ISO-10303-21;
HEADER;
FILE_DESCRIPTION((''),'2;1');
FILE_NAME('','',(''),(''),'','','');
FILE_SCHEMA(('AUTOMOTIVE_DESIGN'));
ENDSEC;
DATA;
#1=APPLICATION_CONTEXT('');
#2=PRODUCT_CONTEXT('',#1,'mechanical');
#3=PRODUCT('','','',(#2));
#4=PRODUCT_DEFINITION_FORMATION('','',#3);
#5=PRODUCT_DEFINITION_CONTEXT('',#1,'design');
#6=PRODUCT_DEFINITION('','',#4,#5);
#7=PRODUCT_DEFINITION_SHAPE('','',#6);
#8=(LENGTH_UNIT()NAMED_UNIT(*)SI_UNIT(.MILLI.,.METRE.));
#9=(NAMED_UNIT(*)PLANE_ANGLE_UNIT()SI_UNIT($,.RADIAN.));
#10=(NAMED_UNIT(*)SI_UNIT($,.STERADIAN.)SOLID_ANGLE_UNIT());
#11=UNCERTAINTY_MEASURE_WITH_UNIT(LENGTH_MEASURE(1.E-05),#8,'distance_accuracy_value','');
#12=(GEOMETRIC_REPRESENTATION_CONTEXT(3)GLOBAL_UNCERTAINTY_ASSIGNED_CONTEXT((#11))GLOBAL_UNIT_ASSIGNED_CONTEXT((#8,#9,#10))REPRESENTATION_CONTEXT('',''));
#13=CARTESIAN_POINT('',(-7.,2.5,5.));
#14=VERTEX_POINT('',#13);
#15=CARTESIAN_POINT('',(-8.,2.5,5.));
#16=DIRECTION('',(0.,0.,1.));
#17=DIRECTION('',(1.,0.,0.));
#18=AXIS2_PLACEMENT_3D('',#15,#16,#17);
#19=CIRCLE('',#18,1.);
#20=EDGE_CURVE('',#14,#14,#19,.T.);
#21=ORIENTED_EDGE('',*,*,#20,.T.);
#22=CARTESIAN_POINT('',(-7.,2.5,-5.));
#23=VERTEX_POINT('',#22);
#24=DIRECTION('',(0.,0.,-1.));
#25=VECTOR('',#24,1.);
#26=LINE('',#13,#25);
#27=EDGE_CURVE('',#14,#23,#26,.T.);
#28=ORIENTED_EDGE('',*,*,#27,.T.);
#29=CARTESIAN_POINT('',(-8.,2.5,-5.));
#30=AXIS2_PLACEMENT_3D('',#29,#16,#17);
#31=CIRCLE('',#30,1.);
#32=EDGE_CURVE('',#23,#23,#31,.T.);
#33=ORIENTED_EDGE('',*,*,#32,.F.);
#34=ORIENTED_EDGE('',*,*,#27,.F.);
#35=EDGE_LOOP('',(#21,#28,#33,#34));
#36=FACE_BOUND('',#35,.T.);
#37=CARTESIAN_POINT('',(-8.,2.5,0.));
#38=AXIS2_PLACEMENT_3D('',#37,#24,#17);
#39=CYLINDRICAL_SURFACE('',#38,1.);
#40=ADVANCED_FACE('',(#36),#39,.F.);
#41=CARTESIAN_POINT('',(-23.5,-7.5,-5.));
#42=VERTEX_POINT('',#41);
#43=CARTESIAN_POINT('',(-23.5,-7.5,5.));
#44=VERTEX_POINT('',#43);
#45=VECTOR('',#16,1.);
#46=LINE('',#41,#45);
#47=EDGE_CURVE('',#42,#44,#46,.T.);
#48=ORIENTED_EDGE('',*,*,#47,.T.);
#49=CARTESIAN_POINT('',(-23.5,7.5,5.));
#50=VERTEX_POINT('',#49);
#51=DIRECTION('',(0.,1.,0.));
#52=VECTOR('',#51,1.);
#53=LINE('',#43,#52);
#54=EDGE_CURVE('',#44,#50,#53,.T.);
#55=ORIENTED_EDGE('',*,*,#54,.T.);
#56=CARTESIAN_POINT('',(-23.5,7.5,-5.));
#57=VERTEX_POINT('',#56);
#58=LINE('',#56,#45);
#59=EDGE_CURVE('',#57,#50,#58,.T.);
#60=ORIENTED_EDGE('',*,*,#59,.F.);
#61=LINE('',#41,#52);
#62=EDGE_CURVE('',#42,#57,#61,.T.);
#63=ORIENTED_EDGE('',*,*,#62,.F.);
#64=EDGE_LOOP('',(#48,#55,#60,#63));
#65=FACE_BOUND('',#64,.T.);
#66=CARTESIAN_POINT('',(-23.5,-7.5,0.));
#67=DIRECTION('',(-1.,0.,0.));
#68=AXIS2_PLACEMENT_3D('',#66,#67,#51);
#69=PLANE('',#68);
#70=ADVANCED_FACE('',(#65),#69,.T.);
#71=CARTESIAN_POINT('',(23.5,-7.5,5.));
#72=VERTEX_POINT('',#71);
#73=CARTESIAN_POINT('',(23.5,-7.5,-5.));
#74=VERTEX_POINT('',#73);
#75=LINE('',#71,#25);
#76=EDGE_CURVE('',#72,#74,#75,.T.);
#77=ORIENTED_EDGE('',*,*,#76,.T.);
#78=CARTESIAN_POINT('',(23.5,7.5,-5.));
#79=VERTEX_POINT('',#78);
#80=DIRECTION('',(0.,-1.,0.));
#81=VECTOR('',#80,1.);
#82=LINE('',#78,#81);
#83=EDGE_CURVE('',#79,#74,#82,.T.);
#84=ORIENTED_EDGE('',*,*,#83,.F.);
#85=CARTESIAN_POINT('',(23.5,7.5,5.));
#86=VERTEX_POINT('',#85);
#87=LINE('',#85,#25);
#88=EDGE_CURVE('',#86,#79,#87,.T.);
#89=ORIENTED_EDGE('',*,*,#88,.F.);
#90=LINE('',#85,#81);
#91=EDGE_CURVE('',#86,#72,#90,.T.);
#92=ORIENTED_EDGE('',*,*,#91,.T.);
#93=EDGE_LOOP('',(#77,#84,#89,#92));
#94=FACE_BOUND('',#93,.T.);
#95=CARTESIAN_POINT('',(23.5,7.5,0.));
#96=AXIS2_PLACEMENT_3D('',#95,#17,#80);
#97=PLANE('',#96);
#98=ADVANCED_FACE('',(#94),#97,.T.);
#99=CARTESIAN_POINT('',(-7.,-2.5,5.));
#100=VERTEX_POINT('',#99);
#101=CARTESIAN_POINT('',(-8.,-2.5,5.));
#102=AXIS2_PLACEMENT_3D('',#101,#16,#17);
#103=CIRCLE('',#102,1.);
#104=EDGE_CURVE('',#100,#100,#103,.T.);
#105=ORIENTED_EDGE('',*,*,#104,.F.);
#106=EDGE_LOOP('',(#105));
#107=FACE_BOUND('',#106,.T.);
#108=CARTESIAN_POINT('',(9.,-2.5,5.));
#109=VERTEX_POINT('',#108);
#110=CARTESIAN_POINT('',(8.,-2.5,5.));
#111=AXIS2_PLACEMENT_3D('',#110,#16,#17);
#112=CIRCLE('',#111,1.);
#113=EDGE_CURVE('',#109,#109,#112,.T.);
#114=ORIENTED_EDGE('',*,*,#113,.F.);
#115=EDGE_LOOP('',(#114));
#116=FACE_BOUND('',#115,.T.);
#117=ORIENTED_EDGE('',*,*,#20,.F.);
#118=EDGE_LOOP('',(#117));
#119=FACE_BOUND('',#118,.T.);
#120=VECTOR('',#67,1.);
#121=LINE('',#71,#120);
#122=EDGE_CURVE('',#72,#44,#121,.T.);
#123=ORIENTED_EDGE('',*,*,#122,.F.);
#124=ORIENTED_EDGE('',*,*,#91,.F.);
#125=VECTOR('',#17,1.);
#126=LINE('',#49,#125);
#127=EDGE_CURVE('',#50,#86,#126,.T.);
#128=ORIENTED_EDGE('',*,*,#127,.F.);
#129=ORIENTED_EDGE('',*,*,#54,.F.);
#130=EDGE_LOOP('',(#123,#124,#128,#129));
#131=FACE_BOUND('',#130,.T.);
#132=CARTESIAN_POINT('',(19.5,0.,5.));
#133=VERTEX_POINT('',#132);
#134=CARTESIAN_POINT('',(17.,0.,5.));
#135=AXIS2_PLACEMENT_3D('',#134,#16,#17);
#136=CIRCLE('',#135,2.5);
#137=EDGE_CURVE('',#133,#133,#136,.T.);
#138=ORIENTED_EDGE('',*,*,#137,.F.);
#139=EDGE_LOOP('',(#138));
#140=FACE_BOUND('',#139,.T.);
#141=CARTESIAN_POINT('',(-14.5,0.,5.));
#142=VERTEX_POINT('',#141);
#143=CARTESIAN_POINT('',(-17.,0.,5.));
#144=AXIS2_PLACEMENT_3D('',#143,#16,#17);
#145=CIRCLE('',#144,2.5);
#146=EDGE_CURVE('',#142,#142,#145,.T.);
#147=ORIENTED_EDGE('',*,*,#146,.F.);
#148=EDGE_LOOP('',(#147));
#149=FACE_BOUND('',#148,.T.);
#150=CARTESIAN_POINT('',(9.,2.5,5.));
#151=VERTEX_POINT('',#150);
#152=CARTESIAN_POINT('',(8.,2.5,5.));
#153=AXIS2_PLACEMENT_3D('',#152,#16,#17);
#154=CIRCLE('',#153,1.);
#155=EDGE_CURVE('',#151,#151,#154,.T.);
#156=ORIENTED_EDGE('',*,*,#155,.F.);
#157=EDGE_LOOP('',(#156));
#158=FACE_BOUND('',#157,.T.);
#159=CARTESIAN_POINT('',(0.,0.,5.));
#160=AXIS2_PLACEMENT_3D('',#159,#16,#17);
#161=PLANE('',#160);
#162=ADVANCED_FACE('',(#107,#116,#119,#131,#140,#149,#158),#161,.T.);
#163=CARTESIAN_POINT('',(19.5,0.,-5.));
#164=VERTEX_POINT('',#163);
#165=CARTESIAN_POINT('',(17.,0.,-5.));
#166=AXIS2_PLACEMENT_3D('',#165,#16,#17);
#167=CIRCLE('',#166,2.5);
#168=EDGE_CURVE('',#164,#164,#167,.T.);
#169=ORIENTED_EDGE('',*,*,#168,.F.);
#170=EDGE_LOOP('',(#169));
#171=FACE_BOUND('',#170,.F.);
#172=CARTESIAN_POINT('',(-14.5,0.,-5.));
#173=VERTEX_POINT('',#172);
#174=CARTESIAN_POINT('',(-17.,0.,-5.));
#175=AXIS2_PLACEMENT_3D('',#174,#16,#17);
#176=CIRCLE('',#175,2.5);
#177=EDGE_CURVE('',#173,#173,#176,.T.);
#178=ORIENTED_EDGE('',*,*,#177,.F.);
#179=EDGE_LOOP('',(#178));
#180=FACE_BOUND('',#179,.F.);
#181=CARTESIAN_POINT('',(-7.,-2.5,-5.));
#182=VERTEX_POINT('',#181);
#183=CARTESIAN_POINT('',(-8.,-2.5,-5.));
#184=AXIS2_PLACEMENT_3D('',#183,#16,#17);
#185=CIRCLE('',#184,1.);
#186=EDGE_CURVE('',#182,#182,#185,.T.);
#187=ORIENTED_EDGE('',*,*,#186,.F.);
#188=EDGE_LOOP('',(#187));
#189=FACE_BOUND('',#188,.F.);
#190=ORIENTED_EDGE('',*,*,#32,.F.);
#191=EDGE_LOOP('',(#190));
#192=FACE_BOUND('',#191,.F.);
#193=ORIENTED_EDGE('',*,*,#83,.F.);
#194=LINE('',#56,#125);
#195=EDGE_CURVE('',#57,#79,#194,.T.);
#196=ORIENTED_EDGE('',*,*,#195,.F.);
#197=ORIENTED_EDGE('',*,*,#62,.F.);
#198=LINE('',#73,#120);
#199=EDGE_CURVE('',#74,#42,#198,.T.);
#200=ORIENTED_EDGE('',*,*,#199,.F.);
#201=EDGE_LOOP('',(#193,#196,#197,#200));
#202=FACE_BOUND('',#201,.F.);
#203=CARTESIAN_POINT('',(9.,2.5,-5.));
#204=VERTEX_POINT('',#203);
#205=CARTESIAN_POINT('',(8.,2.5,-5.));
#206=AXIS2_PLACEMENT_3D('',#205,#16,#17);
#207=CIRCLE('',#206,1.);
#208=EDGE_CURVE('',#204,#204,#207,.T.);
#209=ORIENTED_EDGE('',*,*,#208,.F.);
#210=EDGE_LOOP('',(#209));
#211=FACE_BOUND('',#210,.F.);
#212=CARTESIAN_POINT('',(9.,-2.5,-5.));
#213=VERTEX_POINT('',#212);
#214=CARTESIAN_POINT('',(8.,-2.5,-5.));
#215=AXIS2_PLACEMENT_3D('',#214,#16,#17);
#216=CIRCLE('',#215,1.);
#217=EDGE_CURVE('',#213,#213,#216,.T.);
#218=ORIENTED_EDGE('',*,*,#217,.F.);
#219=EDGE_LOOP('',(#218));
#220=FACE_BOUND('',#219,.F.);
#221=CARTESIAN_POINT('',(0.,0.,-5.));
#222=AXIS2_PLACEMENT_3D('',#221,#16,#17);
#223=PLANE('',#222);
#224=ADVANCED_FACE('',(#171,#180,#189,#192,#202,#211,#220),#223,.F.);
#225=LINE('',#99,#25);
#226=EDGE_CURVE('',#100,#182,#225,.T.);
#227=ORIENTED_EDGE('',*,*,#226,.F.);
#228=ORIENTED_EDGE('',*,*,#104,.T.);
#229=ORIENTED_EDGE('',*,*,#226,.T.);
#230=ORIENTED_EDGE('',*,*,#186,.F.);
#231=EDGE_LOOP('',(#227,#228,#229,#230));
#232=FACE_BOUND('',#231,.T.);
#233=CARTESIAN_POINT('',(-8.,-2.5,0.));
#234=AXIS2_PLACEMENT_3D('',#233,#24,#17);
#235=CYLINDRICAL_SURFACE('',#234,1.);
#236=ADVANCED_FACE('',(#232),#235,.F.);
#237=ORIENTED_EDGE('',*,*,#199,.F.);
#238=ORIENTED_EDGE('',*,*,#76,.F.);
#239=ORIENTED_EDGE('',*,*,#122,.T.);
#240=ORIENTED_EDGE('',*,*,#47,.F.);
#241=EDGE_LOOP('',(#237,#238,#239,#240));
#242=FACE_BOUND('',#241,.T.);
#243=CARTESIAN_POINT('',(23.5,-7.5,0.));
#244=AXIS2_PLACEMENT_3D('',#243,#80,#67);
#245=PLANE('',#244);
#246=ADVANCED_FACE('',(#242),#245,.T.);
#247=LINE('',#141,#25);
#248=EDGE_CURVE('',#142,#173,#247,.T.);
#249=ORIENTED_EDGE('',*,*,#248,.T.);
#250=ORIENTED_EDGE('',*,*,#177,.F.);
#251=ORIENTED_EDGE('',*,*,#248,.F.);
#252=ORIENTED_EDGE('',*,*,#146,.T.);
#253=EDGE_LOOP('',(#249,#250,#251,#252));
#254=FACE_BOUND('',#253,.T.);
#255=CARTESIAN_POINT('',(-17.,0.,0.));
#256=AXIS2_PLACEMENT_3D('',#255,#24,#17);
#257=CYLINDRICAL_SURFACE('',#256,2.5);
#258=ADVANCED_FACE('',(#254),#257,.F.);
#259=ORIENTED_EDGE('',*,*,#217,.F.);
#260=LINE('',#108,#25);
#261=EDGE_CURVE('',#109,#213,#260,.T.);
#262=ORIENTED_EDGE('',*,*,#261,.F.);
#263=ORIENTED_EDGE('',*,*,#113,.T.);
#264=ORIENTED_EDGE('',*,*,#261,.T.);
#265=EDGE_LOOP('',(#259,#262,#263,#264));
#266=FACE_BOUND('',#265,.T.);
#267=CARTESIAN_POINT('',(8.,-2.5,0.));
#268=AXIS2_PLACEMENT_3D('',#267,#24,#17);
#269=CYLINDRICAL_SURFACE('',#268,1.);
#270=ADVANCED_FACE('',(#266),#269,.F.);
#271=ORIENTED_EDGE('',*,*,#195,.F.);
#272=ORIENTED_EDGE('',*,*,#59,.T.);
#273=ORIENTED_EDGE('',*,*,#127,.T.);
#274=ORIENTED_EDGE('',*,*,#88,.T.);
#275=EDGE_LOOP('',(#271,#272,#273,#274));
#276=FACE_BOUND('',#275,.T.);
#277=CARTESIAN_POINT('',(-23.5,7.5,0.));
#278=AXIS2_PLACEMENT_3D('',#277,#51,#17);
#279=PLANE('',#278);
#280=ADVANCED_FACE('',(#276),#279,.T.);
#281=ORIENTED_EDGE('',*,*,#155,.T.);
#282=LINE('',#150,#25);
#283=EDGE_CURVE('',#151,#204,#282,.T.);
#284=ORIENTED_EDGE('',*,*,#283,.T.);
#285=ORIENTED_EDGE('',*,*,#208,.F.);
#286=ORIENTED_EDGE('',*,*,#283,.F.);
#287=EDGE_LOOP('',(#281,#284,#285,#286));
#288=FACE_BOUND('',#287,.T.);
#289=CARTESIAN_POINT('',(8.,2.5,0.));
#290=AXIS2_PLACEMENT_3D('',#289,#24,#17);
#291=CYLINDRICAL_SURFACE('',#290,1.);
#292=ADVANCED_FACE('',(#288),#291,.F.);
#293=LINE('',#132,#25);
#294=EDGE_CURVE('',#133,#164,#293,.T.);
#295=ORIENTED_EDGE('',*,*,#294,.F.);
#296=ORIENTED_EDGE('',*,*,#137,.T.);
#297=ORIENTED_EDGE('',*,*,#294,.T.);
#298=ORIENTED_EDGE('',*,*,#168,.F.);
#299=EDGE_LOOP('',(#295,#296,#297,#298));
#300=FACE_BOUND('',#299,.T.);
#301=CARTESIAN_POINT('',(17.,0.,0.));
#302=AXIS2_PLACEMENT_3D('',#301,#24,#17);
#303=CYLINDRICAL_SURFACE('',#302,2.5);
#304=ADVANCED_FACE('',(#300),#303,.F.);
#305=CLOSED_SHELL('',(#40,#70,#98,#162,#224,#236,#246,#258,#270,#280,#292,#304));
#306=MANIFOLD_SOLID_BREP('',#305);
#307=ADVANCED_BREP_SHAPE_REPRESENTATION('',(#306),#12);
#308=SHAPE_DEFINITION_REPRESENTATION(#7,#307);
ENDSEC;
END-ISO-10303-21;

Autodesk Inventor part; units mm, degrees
sketch "Sketch1" plane through (0, 0, 0) normal (0, 0, 1) x (1, 0, 0)
  line L0 (-23.5, 7.5) -> (23.5, 7.5)
  line L1 (23.5, 7.5) -> (23.5, -7.5)
  line L2 (23.5, -7.5) -> (-23.5, -7.5)
  line L3 (-23.5, -7.5) -> (-23.5, 7.5)
  line L4 (-23.5, 7.5) -> (23.5, -7.5) construction
  line L5 (23.5, 7.5) -> (-23.5, -7.5) construction
  circle A0 centre (17, 0) radius 2.5
  circle A1 centre (8, 2.5) radius 1
  circle A2 centre (8, -2.5) radius 1
  line L6 (8, 2.5) -> (8, -2.5) construction
  line L7 (0, 7.5) -> (0, -7.5) construction
  circle A3 centre (-17, 0) radius 2.5
  circle A4 centre (-8, 2.5) radius 1
  circle A5 centre (-8, -2.5) radius 1
  point P0 (0, 0)
  point P1 (0, 0)
  point P2 (8, 0)
  point P3 (0, 0)
  dimension "d0" = 47
  dimension "d1" = 15
  dimension "d6" = 5
  dimension "d7" = 17
  dimension "d8" = 2
  dimension "d9" = 2
  dimension "d10" = 8
  dimension "d11" = 5
extrude "Extrusion1" add sketch "Sketch1" along normal mid plane 10
properties part number "suporte_motor_001" material "ABS Plastic"
